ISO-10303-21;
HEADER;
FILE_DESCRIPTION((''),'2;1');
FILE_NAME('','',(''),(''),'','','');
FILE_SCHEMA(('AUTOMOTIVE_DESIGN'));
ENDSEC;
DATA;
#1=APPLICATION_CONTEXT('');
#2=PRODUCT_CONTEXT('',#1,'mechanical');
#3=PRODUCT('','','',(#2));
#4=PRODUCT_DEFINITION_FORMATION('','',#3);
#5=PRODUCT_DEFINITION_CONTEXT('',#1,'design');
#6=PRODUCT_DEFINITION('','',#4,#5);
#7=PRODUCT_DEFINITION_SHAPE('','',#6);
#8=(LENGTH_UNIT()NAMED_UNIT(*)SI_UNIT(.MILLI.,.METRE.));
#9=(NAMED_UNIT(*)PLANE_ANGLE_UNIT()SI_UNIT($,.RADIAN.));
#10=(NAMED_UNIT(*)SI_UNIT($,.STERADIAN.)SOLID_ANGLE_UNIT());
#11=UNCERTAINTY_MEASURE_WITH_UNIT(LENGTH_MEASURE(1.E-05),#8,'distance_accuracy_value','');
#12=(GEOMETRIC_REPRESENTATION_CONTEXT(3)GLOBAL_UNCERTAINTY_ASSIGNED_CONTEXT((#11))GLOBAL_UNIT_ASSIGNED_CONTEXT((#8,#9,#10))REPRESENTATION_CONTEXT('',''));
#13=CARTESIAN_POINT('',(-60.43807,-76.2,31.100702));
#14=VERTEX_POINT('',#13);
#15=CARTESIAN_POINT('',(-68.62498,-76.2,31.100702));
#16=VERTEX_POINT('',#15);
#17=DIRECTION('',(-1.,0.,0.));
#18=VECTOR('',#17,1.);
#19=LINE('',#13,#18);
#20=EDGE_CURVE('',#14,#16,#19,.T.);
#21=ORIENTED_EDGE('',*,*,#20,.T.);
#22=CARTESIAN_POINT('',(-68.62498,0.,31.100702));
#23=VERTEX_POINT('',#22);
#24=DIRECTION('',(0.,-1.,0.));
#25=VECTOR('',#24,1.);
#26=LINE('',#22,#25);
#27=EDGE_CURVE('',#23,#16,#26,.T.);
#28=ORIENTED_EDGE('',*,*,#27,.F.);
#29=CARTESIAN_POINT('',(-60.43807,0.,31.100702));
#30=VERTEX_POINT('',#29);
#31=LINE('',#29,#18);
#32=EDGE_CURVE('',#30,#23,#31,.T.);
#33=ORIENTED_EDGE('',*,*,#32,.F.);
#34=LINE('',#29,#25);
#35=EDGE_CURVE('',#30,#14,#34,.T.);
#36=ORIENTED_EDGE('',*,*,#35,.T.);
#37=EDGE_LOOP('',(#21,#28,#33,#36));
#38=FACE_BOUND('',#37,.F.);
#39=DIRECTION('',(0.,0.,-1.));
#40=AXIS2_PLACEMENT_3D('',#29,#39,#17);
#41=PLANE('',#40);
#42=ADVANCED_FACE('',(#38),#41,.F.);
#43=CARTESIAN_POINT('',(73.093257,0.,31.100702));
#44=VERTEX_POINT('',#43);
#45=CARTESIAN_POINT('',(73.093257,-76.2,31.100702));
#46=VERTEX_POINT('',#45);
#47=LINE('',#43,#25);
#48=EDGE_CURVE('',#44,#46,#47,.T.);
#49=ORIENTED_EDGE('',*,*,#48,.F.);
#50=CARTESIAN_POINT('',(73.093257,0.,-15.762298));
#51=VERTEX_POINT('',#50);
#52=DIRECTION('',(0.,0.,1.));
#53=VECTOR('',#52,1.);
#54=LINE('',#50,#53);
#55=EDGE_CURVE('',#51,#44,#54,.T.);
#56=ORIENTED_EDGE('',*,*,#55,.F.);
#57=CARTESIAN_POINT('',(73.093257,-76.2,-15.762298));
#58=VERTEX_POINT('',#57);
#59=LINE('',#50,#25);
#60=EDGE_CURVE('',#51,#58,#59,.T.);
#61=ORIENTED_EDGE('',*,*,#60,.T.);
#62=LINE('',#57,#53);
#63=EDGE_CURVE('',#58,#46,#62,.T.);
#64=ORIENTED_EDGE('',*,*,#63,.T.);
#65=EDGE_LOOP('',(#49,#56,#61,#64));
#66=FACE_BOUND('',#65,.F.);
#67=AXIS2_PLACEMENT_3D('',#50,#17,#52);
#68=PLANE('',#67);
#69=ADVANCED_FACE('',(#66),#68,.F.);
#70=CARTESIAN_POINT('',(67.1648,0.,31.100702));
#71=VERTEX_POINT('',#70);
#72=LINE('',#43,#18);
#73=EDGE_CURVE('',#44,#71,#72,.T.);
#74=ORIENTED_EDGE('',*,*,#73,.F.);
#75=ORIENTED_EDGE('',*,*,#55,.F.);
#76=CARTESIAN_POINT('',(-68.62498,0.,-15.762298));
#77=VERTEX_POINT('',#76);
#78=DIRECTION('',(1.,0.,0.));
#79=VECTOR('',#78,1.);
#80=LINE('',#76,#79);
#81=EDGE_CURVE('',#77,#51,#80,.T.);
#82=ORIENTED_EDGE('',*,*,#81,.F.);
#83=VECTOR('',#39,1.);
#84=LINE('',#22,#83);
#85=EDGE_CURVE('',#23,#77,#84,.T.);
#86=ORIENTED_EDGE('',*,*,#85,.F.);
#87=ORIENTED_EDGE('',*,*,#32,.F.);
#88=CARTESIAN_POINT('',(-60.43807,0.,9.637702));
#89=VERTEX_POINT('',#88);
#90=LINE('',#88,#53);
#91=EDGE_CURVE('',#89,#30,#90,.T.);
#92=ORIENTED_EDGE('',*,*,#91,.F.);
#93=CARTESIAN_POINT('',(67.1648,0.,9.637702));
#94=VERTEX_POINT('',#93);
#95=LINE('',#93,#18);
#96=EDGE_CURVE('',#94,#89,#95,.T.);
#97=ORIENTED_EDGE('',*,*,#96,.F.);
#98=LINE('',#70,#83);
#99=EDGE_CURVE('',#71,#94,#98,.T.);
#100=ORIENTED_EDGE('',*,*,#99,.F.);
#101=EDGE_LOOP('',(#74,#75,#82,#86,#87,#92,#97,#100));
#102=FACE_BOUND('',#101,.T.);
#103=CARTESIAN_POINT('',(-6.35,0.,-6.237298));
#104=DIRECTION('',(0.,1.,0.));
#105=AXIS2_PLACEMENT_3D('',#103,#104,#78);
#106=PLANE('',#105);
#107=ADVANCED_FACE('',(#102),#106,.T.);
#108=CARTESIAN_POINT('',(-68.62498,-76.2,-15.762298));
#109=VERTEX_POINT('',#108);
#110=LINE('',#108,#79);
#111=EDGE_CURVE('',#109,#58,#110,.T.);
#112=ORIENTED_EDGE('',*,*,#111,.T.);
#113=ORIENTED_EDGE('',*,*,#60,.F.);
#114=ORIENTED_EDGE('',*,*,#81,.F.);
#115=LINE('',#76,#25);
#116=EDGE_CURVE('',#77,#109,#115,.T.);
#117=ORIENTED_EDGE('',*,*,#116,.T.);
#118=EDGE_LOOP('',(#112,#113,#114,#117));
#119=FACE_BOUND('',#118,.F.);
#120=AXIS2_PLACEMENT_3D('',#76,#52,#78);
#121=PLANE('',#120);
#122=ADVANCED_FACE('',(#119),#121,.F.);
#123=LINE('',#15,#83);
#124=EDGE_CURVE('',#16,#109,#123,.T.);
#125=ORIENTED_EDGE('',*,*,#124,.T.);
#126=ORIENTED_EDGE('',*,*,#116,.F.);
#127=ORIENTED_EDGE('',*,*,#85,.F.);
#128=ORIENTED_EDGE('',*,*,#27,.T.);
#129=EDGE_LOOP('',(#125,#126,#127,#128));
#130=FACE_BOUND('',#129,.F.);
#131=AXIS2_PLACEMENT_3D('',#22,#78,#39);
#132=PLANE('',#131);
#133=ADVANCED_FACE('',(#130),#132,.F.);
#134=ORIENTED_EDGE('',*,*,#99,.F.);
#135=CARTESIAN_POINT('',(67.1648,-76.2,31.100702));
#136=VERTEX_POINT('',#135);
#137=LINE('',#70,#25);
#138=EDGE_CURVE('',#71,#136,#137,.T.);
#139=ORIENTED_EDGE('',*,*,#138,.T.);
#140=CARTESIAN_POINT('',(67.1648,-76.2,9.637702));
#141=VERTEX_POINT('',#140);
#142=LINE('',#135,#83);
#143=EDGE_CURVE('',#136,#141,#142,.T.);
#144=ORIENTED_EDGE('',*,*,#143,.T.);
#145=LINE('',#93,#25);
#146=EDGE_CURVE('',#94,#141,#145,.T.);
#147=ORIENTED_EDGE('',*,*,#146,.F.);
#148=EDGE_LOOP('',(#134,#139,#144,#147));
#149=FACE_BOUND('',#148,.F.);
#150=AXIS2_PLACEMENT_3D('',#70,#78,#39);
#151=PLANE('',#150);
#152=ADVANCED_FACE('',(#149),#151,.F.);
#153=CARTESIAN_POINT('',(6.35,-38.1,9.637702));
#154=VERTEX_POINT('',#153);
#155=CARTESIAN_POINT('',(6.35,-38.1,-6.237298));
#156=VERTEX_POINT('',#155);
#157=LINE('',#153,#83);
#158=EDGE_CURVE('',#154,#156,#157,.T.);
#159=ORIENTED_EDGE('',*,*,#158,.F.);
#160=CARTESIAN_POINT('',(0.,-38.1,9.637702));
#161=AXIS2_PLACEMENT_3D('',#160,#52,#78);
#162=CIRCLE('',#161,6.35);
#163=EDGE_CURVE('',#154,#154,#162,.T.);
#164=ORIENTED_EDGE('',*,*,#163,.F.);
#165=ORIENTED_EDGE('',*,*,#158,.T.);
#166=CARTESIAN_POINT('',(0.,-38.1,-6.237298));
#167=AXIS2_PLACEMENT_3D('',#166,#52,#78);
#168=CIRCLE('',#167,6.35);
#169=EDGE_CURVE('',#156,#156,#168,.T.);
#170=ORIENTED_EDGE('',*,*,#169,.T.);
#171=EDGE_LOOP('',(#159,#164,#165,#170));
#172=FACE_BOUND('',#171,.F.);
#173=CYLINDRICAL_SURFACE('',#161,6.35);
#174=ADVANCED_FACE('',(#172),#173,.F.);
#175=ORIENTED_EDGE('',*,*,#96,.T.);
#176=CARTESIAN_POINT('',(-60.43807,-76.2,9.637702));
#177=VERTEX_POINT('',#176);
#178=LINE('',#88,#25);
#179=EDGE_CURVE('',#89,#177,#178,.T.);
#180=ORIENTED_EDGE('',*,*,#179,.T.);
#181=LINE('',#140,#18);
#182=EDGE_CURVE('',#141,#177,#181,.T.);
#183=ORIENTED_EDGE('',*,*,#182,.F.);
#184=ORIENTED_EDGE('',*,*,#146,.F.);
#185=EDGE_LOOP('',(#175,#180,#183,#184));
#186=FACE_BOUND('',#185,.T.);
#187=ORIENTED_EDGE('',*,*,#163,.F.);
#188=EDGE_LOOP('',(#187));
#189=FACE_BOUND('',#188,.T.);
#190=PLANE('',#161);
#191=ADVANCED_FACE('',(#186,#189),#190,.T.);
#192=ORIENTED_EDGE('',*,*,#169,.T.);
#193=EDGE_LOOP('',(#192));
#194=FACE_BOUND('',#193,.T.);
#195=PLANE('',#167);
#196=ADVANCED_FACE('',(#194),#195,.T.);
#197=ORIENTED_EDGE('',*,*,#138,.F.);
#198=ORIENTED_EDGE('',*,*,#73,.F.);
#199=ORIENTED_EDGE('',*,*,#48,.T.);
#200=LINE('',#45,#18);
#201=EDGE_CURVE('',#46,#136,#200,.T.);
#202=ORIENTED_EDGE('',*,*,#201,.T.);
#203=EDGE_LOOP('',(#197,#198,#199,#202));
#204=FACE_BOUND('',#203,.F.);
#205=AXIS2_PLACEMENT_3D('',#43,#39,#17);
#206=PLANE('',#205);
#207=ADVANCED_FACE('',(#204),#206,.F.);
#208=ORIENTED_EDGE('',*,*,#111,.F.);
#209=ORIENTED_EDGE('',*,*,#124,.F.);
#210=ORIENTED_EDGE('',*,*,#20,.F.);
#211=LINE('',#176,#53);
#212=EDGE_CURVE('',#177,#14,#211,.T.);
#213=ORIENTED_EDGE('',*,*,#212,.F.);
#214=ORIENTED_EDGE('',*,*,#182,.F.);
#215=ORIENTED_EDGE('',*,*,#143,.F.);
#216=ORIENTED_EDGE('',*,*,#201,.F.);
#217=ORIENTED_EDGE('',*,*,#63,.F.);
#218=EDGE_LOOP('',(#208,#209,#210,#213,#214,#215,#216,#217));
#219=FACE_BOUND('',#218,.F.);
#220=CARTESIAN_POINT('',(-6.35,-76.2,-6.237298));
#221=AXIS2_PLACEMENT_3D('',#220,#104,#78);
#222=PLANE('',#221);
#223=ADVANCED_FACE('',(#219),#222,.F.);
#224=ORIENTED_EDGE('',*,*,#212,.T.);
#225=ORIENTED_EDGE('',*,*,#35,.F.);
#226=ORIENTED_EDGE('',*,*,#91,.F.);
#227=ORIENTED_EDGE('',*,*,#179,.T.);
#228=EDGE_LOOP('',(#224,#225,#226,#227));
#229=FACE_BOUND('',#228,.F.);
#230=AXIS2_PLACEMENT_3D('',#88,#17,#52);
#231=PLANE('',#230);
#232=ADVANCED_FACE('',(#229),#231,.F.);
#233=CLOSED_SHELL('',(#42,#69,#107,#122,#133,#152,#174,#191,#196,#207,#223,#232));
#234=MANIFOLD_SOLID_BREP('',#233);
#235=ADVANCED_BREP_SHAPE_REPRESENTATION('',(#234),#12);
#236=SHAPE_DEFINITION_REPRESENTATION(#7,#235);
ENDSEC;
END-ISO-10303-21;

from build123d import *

# Parameters (mm, degrees)
F1_DEPTH  = 76.2
F1_FACE_W = 12.7
F1_FACE_H = 76.2
F2_DEPTH  = 15.875
F3_R      = 6.35
F4_DEPTH  = 15.875


with BuildPart() as f1:
    # F0 (on Front) → F1 (new body)
    with BuildSketch(Plane.XZ):
        Polygon((-60.43807, 31.100702), (-68.62498, 31.100702), (-68.62498, -15.762298), (73.093257, -15.762298), (73.093257, 31.100702), (67.1648, 31.100702), (67.1648, 9.637702), (6.35, 9.637702), (6.35, -6.237298), (-6.35, -6.237298), (-6.35, 9.637702), (-60.43807, 9.637702), align=None)
    extrude(amount=F1_DEPTH)

    # F1_face (on face) → F2 (join)
    with BuildSketch(Plane(origin=(0, -38.1, -6.237298), x_dir=(1, 0, 0), z_dir=(0, 0, 1))):
        Rectangle(F1_FACE_W, F1_FACE_H)
    extrude(amount=F2_DEPTH)

    # F3 (on face) → F4 (cut)
    with BuildSketch(Plane.XY.offset(9.637702)):
        with Locations((0, -38.1)):
            Circle(F3_R)
    extrude(amount=-F4_DEPTH, mode=Mode.SUBTRACT)


solid = f1.part
